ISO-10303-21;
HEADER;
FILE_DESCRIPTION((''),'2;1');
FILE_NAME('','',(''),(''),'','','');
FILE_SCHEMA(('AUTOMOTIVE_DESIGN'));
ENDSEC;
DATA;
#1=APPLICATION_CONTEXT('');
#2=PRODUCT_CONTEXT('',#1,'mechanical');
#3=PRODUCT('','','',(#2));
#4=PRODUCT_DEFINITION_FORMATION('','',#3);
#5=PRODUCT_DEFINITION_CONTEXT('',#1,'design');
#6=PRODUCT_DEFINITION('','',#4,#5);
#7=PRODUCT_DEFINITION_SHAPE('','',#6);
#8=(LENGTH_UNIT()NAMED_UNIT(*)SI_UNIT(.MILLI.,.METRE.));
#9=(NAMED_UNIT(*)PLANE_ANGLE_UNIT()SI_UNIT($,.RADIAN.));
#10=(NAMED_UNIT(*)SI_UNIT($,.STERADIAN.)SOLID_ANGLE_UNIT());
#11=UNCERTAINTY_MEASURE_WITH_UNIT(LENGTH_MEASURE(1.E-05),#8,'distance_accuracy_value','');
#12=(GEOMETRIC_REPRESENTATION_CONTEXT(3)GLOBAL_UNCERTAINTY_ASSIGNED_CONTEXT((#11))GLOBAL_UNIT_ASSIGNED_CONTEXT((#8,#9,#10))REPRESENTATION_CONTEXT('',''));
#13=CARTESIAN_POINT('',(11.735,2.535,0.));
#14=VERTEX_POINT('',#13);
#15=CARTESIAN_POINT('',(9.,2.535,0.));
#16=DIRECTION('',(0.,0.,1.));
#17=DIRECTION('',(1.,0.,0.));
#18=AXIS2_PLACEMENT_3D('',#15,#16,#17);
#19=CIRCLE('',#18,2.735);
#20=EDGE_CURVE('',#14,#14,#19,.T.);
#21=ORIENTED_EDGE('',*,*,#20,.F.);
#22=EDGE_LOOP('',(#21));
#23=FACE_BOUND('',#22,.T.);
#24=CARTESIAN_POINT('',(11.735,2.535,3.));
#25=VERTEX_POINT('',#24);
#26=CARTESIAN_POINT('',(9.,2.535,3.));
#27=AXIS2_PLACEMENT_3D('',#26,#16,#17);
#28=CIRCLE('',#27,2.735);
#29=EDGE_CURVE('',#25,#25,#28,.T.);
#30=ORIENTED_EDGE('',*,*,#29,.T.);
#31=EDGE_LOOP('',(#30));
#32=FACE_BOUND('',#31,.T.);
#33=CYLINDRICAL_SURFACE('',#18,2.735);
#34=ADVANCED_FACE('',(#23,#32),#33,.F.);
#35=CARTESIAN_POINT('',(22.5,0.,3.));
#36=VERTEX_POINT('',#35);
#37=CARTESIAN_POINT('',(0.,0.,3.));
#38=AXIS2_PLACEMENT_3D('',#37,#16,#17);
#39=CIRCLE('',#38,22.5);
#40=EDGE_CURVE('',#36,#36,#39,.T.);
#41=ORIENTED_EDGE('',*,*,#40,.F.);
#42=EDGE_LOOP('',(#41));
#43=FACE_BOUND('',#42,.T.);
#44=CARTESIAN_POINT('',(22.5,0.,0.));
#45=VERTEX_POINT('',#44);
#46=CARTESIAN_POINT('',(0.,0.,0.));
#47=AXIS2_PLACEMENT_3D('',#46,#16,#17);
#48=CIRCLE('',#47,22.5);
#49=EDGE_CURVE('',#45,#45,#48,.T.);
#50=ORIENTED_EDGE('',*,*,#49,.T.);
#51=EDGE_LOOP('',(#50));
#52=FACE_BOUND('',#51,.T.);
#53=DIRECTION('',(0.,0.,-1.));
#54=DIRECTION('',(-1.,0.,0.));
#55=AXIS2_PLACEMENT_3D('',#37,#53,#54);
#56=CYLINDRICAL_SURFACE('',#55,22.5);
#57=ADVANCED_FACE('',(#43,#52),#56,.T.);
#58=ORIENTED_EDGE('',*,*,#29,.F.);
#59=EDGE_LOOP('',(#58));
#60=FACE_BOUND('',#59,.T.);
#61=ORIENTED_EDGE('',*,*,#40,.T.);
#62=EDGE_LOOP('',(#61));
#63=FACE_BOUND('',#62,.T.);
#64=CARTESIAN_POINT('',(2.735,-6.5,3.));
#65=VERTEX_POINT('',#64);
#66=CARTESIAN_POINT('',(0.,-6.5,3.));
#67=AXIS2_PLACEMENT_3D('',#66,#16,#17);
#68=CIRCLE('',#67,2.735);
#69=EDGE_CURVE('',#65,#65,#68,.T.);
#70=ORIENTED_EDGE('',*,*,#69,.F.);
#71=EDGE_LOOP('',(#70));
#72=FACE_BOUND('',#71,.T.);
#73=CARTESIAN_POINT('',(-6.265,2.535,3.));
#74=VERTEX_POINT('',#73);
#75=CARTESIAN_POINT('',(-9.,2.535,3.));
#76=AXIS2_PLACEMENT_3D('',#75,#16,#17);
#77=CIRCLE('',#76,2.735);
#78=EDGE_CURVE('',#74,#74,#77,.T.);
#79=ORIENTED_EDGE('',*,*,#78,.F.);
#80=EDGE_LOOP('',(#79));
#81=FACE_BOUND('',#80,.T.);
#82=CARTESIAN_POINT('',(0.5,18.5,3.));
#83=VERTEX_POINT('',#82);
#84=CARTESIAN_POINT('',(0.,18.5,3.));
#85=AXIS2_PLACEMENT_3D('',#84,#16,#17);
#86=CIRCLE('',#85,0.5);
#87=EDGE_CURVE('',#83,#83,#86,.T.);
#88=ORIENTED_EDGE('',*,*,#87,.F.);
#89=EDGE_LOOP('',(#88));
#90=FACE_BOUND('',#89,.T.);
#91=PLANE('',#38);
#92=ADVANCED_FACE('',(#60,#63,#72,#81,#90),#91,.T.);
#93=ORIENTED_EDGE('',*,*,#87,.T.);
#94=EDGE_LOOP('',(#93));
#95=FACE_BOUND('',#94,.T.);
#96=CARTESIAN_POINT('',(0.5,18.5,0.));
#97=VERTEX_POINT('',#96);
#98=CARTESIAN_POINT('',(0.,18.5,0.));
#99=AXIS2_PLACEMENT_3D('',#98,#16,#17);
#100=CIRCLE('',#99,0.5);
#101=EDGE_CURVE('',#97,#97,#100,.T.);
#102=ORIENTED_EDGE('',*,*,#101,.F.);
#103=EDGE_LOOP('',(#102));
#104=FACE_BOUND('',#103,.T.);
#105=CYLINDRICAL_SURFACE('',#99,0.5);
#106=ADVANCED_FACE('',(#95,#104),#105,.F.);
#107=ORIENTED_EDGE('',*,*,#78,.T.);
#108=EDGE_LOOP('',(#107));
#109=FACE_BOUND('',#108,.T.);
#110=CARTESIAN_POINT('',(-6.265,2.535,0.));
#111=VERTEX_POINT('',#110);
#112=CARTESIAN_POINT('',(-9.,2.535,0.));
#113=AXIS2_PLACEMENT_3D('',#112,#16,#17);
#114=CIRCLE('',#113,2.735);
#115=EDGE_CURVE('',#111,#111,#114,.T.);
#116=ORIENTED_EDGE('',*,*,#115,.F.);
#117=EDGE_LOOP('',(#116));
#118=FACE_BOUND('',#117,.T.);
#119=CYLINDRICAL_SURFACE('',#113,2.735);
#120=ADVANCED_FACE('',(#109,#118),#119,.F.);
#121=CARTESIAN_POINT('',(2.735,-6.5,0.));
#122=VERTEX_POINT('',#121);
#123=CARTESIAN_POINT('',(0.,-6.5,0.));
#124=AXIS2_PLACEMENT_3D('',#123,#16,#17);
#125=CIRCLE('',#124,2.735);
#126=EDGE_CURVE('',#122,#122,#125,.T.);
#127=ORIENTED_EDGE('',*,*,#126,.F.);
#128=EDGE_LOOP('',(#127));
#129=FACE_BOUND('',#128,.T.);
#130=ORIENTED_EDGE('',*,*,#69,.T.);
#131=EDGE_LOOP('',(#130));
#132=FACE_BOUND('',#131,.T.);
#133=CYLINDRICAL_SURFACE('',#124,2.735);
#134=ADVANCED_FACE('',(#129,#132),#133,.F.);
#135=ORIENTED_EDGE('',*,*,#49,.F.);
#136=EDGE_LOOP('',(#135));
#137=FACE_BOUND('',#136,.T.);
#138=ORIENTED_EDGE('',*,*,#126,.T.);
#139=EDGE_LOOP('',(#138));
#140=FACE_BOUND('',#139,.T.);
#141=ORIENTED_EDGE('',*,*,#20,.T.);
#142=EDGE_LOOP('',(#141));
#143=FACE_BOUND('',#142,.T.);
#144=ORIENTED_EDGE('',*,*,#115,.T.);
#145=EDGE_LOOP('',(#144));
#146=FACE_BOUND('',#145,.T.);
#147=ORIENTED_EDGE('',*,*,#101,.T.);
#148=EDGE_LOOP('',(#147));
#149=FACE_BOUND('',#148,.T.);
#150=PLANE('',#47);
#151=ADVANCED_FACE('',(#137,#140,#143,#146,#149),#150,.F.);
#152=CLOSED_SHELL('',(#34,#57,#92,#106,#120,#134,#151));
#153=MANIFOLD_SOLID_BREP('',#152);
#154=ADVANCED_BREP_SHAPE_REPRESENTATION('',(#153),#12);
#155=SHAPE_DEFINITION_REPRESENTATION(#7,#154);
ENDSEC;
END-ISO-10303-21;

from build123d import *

# Parameters (mm, degrees)
SKETCH1_R           = 22.5
BOSS_EXTRUDE1_DEPTH = 3
SKETCH3_R           = 0.5
SKETCH3_R_2         = 2.735
CUT_EXTRUDE1_DEPTH  = 3


with BuildPart() as part:
    # Sketch1 → Boss-Extrude1 (new body)
    with BuildSketch(Plane.XY):
        Circle(SKETCH1_R)
    extrude(amount=BOSS_EXTRUDE1_DEPTH)

    # Sketch3 → Cut-Extrude1 (cut)
    with BuildSketch(Plane.XY.offset(3)):
        with Locations((0, 18.5)):
            Circle(SKETCH3_R)
        with Locations((0, -6.5)):
            Circle(SKETCH3_R_2)
        with Locations((9, 2.535)):
            Circle(SKETCH3_R_2)
        with Locations((-9, 2.535)):
            Circle(SKETCH3_R_2)
    extrude(amount=-CUT_EXTRUDE1_DEPTH, mode=Mode.SUBTRACT)


solid = part.part
